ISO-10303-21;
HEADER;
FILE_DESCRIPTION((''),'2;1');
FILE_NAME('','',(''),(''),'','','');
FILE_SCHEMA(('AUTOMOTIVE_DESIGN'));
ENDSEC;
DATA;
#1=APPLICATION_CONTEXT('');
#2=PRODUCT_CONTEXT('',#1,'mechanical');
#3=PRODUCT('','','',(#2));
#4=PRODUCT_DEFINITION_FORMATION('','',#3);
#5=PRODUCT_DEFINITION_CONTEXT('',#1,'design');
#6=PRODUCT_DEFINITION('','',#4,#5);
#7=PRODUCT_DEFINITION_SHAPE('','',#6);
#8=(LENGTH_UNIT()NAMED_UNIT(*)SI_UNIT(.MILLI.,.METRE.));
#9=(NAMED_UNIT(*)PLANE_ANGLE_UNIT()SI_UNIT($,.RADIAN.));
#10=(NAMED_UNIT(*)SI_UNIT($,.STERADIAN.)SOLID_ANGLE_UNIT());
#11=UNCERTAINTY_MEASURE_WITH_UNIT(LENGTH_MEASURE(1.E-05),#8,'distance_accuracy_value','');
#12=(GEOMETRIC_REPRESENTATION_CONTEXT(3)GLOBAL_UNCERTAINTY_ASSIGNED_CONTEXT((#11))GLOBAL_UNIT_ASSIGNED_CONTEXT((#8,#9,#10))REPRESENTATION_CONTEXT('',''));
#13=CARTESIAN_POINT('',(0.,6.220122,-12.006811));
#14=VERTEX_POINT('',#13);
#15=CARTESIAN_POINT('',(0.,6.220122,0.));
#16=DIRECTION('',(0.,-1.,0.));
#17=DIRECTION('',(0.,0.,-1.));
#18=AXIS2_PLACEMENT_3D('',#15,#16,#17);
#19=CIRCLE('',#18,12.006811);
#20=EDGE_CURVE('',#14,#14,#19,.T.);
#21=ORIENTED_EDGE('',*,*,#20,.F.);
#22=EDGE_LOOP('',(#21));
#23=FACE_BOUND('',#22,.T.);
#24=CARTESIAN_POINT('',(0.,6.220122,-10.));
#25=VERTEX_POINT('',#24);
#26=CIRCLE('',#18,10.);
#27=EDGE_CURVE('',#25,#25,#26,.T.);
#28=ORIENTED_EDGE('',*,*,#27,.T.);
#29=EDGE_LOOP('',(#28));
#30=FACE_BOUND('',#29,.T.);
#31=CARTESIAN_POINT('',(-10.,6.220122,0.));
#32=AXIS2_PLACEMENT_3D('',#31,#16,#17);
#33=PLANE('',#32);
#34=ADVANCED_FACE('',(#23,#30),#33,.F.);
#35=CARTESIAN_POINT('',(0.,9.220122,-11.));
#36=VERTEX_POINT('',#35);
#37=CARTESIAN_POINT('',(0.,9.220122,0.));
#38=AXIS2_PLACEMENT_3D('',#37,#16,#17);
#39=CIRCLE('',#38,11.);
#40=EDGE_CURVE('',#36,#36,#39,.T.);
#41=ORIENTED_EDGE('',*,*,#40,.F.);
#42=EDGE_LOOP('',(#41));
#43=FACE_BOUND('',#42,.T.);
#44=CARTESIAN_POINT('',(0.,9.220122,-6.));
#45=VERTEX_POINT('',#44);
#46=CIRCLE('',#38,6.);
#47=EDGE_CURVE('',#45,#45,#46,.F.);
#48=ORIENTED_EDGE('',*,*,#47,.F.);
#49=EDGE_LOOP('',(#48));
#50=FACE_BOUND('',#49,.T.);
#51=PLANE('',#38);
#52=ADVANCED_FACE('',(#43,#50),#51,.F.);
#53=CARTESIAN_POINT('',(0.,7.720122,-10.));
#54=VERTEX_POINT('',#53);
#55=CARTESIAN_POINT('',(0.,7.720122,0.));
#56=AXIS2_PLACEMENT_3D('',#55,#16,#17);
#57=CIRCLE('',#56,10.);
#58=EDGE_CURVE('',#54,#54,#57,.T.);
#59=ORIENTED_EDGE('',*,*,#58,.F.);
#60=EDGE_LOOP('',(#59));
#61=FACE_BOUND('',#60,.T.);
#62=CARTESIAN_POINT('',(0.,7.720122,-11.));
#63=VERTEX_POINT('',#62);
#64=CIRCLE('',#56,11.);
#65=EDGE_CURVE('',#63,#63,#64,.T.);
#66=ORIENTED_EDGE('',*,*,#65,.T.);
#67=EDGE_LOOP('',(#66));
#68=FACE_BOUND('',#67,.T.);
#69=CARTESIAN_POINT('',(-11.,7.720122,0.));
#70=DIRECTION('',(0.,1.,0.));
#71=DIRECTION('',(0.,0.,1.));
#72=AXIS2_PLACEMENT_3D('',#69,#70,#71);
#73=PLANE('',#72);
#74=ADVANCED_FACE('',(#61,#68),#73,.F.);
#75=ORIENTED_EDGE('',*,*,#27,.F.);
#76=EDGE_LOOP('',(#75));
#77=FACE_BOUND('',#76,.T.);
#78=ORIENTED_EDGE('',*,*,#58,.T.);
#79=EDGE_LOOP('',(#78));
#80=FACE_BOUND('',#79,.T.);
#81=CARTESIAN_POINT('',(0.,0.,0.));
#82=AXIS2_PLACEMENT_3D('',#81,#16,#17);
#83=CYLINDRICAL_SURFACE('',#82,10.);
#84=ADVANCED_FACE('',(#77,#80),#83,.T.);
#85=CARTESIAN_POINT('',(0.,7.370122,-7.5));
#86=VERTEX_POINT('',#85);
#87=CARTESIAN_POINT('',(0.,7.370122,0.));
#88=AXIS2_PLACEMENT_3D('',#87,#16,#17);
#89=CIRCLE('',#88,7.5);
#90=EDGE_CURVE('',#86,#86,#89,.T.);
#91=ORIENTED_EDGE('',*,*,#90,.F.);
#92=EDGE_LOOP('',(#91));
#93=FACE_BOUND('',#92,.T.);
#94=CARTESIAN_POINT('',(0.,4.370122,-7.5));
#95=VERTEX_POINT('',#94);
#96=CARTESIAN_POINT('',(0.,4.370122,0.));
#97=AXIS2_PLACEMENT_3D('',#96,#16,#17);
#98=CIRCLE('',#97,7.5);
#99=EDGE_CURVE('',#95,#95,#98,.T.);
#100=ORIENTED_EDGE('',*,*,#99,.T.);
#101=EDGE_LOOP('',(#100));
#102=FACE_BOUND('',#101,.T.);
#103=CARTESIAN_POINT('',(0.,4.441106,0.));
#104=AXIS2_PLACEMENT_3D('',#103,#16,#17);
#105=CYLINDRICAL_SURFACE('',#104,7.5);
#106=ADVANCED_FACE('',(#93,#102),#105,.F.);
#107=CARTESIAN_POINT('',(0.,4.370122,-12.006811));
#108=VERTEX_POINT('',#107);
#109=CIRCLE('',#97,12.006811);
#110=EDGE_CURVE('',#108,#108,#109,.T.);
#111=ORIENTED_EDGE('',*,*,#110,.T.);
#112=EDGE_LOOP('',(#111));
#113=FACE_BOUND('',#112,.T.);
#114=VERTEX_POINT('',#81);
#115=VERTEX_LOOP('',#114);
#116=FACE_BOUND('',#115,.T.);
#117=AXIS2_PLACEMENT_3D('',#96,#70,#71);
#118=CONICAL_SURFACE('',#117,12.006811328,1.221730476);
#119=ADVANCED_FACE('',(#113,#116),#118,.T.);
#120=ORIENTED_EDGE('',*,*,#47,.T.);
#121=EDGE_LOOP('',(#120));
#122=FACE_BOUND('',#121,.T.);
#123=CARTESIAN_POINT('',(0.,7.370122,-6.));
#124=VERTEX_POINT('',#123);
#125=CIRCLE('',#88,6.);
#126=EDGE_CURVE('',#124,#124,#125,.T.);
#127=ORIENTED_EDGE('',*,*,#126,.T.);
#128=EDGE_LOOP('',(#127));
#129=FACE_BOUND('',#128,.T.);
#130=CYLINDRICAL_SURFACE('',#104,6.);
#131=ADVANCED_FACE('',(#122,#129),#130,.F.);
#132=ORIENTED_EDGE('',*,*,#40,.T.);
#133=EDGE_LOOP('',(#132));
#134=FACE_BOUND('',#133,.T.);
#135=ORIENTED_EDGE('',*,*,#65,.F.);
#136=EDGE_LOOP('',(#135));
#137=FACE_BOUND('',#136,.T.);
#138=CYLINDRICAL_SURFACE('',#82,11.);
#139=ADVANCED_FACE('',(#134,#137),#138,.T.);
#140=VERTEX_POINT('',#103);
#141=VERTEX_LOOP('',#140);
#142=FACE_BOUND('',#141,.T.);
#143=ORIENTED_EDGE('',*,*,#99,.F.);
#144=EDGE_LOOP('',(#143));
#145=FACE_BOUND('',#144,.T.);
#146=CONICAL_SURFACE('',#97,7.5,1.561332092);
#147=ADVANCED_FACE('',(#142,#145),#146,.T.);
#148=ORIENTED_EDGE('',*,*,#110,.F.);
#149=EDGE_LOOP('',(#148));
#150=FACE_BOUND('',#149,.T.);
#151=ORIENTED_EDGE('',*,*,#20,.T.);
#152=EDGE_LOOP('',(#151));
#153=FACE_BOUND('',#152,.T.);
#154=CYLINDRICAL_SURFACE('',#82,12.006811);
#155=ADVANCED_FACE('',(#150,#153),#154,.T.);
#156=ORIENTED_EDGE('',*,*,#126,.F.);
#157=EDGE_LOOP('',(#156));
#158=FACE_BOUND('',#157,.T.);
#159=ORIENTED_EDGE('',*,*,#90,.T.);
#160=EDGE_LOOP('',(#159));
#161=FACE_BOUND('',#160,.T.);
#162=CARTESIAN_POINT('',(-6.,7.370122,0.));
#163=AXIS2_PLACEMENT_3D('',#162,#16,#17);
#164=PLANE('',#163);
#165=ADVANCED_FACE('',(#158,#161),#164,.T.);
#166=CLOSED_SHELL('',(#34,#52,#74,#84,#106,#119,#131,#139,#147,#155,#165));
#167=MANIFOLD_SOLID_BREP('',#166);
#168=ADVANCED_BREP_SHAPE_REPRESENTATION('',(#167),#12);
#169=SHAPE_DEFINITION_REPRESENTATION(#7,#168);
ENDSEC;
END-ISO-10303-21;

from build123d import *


with BuildPart() as part:
    # Sketch2 → Revolve1 (revolve)
    with BuildSketch(Plane.XY, mode=Mode.PRIVATE) as revolve1_sk:
        Polygon((0, 0), (0, 9.220121932), (-11, 9.220121932), (-11, 7.720121932), (-10, 7.720121932), (-10, 6.220121932), (-12.006811328, 6.220121932), (-12.006811328, 4.370121932), align=None)
    revolve(revolve1_sk.sketch.rotate(Axis((0, 0, 0), (0, 1, 0)), 270), axis=Axis((0, 0, 0), (0, 1, 0)))

    # Sketch3 → Cut-Revolve1 (revolve, cut)
    with BuildSketch(Plane.XY, mode=Mode.PRIVATE) as cut_revolve1_sk:
        Polygon((0, 4.441105813), (0, 10.370121932), (-6, 10.370121932), (-6, 7.370121932), (-7.5, 7.370121932), (-7.5, 4.370121932), align=None)
    revolve(cut_revolve1_sk.sketch.rotate(Axis((0, 4.441105813, 0), (0, 1, 0)), 270), axis=Axis((0, 4.441105813, 0), (0, 1, 0)), mode=Mode.SUBTRACT)


solid = part.part
